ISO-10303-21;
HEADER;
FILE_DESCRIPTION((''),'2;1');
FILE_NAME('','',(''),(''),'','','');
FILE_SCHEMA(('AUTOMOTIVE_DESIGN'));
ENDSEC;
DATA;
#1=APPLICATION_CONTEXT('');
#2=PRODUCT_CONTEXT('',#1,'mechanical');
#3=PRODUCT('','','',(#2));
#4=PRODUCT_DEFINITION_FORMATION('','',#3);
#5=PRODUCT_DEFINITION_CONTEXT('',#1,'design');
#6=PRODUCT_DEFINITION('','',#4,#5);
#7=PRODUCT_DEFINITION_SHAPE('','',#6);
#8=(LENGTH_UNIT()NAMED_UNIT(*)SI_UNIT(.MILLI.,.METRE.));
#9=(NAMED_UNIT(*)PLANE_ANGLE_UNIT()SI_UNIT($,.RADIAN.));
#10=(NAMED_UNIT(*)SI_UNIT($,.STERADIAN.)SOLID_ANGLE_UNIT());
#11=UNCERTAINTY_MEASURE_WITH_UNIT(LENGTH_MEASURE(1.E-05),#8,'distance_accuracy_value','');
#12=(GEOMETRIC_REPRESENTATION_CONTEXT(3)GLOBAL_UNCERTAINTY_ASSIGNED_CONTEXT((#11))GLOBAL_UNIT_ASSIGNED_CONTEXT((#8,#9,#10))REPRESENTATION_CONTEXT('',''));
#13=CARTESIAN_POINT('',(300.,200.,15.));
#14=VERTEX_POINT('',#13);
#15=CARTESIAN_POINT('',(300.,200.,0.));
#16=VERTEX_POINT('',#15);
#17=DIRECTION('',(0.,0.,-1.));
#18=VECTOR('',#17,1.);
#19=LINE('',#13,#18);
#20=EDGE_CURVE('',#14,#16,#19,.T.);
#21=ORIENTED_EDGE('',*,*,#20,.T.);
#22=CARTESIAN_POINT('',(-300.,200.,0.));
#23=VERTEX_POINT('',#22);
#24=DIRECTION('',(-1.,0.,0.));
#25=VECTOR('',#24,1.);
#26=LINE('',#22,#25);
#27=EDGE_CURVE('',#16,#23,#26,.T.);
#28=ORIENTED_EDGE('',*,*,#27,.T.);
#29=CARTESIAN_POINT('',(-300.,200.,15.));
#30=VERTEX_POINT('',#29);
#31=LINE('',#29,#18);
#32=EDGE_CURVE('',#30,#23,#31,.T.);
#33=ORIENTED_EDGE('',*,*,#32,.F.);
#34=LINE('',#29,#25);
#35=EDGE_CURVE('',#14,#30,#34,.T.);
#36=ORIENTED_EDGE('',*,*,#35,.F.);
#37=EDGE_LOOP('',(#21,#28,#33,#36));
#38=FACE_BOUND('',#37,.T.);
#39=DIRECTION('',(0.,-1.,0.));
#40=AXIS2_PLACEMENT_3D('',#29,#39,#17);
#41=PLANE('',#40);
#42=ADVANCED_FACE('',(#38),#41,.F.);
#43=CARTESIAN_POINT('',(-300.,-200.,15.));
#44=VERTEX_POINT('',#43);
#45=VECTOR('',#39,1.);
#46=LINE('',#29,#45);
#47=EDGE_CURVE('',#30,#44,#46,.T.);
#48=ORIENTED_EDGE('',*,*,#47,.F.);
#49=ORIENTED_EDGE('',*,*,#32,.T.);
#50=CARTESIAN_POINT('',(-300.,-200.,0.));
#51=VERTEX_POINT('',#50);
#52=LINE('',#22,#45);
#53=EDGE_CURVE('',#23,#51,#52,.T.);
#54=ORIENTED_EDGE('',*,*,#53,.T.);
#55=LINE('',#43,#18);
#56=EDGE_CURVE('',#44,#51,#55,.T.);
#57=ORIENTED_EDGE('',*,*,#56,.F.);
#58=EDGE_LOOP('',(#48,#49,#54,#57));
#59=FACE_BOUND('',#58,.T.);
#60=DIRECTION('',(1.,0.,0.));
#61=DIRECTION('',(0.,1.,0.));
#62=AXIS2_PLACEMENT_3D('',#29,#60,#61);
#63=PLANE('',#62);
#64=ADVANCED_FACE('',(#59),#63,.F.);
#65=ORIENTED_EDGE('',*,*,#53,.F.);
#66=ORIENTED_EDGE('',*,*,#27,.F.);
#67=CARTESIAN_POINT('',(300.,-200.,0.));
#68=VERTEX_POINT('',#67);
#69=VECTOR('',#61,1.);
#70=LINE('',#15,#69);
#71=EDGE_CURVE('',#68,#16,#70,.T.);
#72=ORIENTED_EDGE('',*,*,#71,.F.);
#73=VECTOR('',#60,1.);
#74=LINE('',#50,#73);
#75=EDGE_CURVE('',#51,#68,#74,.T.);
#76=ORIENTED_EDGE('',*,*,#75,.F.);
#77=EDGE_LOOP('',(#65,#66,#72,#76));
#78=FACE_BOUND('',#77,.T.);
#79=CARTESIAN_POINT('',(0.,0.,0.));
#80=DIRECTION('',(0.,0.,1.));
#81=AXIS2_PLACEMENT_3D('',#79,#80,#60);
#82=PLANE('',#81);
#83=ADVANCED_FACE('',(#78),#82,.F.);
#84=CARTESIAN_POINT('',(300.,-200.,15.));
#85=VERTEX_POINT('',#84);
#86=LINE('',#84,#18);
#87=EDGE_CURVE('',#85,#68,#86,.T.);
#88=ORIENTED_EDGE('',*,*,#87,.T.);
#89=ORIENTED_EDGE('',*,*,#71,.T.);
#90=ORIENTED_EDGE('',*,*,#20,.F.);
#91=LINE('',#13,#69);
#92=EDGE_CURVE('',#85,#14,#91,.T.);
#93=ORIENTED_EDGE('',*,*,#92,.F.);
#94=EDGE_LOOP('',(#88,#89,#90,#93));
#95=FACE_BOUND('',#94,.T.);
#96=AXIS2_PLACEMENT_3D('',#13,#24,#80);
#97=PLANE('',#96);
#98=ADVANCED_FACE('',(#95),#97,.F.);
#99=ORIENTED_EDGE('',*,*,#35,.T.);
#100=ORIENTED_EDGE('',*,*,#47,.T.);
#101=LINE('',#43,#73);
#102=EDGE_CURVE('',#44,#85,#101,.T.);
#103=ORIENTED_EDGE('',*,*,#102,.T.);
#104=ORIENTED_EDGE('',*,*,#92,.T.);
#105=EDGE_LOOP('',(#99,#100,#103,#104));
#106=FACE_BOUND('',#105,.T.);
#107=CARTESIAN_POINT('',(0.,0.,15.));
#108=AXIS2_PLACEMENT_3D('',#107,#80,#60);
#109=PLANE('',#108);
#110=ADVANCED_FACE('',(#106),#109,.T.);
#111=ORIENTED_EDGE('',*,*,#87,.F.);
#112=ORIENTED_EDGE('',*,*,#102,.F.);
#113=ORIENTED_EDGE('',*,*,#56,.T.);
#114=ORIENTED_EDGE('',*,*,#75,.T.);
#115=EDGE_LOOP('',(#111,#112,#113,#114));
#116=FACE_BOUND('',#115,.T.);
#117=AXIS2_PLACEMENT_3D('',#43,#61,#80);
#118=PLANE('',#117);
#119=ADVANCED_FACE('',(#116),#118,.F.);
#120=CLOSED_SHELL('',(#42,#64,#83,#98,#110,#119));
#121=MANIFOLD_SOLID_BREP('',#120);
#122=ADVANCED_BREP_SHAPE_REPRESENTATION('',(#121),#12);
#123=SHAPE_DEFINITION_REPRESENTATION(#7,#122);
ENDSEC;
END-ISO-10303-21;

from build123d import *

# Parameters (mm, degrees)
CROQUIS1_W              = 600
CROQUIS1_H              = 400
SALIENTE_EXTRUIR1_DEPTH = 15


with BuildPart() as part:
    # Croquis1 → Saliente-Extruir1 (new body)
    with BuildSketch(Plane.XY):
        Rectangle(CROQUIS1_W, CROQUIS1_H)
    extrude(amount=SALIENTE_EXTRUIR1_DEPTH)


solid = part.part
